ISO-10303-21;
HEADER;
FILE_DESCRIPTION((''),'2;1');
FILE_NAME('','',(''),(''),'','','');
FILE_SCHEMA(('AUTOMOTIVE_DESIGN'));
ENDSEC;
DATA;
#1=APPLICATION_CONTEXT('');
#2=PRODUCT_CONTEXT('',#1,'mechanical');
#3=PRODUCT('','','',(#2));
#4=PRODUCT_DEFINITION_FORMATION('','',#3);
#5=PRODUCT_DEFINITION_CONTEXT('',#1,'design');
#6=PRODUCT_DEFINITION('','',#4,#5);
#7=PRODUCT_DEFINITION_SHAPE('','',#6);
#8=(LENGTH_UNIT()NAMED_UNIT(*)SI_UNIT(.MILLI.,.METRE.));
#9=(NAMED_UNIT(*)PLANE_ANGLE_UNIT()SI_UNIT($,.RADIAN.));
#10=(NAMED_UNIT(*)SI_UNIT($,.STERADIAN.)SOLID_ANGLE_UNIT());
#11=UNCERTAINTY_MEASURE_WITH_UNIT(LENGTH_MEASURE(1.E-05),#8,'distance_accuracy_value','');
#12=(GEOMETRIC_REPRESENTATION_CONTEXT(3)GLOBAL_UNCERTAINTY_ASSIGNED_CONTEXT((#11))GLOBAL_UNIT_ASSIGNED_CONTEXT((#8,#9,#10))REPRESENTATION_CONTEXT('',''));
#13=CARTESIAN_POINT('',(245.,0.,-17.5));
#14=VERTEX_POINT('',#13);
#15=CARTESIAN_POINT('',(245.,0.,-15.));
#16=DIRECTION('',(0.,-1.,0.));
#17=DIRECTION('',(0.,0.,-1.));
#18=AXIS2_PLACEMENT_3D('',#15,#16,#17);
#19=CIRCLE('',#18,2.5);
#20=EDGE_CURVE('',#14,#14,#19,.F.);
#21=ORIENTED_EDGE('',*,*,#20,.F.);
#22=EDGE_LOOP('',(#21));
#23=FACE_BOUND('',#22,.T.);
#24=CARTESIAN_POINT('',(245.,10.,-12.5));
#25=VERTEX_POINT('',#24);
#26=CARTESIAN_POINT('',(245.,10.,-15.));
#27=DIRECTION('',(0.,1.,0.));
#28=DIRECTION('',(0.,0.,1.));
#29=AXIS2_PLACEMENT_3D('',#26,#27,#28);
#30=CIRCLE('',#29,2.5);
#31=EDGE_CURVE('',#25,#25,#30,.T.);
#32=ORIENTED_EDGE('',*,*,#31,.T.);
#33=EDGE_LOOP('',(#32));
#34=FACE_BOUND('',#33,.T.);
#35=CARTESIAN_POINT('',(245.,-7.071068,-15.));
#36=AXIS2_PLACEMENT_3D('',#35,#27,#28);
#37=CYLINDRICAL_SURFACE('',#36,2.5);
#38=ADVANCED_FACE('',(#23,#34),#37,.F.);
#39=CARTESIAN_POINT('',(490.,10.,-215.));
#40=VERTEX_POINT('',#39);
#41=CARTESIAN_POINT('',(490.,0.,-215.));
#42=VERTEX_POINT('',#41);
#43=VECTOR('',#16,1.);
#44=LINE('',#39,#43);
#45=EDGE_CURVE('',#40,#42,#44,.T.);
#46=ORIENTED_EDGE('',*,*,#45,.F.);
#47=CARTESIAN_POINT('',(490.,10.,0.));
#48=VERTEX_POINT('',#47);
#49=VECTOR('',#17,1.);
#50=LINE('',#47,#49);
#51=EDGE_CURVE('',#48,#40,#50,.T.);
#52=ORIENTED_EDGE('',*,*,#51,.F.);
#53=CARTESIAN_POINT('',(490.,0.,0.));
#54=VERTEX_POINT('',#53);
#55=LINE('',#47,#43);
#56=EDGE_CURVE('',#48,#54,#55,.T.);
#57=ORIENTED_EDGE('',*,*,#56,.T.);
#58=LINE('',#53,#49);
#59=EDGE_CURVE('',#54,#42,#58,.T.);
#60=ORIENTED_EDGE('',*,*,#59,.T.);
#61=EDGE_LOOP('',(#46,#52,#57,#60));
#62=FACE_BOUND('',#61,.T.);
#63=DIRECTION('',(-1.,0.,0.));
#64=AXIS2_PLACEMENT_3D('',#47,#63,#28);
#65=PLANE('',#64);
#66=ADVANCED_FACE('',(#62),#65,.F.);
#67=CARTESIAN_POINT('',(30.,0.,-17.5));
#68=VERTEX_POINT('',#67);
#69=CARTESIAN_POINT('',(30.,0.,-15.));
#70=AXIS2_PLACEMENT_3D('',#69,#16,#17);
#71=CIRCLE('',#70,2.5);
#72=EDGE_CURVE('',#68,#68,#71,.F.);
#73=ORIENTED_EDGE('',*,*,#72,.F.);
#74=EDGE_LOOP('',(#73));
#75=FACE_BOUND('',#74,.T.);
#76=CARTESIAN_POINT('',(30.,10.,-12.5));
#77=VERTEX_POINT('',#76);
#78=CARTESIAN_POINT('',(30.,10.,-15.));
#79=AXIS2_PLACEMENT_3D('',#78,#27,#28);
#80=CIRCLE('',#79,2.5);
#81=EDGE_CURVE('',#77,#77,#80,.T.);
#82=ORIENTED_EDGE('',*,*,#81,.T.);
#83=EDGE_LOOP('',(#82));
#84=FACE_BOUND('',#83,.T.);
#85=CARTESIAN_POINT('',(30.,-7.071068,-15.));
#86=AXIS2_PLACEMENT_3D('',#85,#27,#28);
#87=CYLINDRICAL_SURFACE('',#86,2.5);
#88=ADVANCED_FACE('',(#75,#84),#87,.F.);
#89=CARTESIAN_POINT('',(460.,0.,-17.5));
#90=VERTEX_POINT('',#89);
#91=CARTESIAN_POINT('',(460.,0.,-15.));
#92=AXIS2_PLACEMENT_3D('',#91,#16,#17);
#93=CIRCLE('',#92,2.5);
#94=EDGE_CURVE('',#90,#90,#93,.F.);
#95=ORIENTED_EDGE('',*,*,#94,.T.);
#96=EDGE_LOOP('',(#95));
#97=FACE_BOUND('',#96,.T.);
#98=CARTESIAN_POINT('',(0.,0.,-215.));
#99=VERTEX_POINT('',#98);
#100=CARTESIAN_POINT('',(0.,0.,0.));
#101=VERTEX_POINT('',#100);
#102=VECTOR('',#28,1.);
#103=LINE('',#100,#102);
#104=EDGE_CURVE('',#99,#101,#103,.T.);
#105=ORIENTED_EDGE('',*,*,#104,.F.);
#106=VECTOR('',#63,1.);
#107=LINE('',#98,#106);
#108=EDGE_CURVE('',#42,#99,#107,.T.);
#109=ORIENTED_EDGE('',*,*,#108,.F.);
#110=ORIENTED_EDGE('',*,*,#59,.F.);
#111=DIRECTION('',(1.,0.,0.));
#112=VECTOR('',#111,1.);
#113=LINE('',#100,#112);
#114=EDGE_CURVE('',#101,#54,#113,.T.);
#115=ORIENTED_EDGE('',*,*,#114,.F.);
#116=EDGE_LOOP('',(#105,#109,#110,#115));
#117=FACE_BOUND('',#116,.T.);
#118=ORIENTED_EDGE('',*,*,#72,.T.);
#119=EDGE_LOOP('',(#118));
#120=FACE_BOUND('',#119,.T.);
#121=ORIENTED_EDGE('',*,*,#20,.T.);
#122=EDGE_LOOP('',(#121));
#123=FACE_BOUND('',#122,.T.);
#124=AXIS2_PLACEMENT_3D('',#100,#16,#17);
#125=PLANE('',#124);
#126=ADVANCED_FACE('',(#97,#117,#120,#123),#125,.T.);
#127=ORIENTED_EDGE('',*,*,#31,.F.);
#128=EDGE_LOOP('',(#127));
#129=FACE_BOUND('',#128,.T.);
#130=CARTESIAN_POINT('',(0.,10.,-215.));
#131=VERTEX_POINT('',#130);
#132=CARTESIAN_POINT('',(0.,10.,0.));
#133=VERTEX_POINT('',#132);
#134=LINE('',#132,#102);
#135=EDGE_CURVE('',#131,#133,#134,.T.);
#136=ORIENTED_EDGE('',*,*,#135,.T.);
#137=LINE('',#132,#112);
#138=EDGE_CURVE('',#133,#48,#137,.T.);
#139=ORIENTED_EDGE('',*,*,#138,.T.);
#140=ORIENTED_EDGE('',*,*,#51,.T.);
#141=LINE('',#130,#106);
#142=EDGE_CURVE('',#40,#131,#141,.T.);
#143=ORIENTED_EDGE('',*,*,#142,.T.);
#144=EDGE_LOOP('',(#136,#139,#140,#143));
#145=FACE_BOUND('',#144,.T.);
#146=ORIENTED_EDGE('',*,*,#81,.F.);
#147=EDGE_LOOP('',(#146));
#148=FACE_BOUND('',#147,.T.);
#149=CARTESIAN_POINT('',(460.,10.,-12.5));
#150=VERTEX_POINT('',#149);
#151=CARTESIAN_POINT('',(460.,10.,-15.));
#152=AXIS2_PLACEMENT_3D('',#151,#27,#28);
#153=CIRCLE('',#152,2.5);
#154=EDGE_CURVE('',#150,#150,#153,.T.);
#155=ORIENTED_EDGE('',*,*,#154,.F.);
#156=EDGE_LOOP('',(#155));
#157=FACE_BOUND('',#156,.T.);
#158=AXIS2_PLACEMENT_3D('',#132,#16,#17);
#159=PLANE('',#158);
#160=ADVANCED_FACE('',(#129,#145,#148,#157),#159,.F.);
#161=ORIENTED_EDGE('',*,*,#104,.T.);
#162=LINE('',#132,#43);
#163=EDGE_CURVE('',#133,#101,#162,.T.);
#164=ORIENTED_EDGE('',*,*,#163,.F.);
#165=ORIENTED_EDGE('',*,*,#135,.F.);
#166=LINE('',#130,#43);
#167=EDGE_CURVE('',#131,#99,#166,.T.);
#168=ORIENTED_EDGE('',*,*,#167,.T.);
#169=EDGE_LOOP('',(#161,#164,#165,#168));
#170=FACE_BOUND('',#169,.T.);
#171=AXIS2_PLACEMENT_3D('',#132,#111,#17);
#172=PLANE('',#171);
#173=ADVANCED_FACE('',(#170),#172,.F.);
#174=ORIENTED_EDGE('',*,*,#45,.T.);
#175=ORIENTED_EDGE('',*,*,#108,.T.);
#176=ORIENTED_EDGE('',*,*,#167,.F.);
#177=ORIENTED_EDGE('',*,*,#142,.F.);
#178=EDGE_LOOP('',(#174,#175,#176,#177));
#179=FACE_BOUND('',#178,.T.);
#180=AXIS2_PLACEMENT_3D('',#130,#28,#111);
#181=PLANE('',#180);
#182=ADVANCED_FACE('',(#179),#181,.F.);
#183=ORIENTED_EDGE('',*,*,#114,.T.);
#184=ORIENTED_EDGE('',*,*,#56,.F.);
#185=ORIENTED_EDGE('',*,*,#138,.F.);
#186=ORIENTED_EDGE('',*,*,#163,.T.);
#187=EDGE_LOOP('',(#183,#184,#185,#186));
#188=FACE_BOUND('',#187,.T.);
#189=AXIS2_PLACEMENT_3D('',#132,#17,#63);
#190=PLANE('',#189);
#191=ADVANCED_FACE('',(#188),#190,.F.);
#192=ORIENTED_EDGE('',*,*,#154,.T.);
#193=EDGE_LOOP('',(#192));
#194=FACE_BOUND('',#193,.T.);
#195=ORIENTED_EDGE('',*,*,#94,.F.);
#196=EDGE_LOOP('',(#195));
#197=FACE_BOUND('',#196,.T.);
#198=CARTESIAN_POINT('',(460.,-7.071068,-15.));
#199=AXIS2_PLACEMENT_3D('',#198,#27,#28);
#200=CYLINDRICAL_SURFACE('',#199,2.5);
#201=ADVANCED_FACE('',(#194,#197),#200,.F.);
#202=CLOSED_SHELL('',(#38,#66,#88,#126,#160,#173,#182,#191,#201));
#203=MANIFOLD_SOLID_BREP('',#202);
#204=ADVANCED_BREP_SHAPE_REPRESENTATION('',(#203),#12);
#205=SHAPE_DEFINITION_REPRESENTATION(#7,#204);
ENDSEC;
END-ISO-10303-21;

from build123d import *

# Parameters (mm, degrees)
ESBO_O1_W                = 490
ESBO_O1_H                = 215
RESSALTO_EXTRUS_O1_DEPTH = 10
ESBO_O2_R                = 2.5
CORTE_EXTRUS_O1_DEPTH    = 10


with BuildPart() as part:
    # Esboço1 → Ressalto-extrusão1 (new body)
    with BuildSketch(Plane(origin=(0, 0, 0), x_dir=(1, 0, 0), z_dir=(0, 1, 0))):
        with Locations((245, 107.5)):
            Rectangle(ESBO_O1_W, ESBO_O1_H)
    extrude(amount=RESSALTO_EXTRUS_O1_DEPTH)

    # Esboço2 → Corte-extrusão1 (cut)
    with BuildSketch(Plane(origin=(0, 10, 0), x_dir=(1, 0, 0), z_dir=(0, 1, 0))):
        with Locations(Location((30, 15, 0), (0, 0, 270))):
            Circle(ESBO_O2_R)
        with Locations(Location((460, 15, 0), (0, 0, 270))):
            Circle(ESBO_O2_R)
        with Locations(Location((245, 15, 0), (0, 0, 270))):
            Circle(ESBO_O2_R)
    extrude(amount=-CORTE_EXTRUS_O1_DEPTH, mode=Mode.SUBTRACT)


solid = part.part
